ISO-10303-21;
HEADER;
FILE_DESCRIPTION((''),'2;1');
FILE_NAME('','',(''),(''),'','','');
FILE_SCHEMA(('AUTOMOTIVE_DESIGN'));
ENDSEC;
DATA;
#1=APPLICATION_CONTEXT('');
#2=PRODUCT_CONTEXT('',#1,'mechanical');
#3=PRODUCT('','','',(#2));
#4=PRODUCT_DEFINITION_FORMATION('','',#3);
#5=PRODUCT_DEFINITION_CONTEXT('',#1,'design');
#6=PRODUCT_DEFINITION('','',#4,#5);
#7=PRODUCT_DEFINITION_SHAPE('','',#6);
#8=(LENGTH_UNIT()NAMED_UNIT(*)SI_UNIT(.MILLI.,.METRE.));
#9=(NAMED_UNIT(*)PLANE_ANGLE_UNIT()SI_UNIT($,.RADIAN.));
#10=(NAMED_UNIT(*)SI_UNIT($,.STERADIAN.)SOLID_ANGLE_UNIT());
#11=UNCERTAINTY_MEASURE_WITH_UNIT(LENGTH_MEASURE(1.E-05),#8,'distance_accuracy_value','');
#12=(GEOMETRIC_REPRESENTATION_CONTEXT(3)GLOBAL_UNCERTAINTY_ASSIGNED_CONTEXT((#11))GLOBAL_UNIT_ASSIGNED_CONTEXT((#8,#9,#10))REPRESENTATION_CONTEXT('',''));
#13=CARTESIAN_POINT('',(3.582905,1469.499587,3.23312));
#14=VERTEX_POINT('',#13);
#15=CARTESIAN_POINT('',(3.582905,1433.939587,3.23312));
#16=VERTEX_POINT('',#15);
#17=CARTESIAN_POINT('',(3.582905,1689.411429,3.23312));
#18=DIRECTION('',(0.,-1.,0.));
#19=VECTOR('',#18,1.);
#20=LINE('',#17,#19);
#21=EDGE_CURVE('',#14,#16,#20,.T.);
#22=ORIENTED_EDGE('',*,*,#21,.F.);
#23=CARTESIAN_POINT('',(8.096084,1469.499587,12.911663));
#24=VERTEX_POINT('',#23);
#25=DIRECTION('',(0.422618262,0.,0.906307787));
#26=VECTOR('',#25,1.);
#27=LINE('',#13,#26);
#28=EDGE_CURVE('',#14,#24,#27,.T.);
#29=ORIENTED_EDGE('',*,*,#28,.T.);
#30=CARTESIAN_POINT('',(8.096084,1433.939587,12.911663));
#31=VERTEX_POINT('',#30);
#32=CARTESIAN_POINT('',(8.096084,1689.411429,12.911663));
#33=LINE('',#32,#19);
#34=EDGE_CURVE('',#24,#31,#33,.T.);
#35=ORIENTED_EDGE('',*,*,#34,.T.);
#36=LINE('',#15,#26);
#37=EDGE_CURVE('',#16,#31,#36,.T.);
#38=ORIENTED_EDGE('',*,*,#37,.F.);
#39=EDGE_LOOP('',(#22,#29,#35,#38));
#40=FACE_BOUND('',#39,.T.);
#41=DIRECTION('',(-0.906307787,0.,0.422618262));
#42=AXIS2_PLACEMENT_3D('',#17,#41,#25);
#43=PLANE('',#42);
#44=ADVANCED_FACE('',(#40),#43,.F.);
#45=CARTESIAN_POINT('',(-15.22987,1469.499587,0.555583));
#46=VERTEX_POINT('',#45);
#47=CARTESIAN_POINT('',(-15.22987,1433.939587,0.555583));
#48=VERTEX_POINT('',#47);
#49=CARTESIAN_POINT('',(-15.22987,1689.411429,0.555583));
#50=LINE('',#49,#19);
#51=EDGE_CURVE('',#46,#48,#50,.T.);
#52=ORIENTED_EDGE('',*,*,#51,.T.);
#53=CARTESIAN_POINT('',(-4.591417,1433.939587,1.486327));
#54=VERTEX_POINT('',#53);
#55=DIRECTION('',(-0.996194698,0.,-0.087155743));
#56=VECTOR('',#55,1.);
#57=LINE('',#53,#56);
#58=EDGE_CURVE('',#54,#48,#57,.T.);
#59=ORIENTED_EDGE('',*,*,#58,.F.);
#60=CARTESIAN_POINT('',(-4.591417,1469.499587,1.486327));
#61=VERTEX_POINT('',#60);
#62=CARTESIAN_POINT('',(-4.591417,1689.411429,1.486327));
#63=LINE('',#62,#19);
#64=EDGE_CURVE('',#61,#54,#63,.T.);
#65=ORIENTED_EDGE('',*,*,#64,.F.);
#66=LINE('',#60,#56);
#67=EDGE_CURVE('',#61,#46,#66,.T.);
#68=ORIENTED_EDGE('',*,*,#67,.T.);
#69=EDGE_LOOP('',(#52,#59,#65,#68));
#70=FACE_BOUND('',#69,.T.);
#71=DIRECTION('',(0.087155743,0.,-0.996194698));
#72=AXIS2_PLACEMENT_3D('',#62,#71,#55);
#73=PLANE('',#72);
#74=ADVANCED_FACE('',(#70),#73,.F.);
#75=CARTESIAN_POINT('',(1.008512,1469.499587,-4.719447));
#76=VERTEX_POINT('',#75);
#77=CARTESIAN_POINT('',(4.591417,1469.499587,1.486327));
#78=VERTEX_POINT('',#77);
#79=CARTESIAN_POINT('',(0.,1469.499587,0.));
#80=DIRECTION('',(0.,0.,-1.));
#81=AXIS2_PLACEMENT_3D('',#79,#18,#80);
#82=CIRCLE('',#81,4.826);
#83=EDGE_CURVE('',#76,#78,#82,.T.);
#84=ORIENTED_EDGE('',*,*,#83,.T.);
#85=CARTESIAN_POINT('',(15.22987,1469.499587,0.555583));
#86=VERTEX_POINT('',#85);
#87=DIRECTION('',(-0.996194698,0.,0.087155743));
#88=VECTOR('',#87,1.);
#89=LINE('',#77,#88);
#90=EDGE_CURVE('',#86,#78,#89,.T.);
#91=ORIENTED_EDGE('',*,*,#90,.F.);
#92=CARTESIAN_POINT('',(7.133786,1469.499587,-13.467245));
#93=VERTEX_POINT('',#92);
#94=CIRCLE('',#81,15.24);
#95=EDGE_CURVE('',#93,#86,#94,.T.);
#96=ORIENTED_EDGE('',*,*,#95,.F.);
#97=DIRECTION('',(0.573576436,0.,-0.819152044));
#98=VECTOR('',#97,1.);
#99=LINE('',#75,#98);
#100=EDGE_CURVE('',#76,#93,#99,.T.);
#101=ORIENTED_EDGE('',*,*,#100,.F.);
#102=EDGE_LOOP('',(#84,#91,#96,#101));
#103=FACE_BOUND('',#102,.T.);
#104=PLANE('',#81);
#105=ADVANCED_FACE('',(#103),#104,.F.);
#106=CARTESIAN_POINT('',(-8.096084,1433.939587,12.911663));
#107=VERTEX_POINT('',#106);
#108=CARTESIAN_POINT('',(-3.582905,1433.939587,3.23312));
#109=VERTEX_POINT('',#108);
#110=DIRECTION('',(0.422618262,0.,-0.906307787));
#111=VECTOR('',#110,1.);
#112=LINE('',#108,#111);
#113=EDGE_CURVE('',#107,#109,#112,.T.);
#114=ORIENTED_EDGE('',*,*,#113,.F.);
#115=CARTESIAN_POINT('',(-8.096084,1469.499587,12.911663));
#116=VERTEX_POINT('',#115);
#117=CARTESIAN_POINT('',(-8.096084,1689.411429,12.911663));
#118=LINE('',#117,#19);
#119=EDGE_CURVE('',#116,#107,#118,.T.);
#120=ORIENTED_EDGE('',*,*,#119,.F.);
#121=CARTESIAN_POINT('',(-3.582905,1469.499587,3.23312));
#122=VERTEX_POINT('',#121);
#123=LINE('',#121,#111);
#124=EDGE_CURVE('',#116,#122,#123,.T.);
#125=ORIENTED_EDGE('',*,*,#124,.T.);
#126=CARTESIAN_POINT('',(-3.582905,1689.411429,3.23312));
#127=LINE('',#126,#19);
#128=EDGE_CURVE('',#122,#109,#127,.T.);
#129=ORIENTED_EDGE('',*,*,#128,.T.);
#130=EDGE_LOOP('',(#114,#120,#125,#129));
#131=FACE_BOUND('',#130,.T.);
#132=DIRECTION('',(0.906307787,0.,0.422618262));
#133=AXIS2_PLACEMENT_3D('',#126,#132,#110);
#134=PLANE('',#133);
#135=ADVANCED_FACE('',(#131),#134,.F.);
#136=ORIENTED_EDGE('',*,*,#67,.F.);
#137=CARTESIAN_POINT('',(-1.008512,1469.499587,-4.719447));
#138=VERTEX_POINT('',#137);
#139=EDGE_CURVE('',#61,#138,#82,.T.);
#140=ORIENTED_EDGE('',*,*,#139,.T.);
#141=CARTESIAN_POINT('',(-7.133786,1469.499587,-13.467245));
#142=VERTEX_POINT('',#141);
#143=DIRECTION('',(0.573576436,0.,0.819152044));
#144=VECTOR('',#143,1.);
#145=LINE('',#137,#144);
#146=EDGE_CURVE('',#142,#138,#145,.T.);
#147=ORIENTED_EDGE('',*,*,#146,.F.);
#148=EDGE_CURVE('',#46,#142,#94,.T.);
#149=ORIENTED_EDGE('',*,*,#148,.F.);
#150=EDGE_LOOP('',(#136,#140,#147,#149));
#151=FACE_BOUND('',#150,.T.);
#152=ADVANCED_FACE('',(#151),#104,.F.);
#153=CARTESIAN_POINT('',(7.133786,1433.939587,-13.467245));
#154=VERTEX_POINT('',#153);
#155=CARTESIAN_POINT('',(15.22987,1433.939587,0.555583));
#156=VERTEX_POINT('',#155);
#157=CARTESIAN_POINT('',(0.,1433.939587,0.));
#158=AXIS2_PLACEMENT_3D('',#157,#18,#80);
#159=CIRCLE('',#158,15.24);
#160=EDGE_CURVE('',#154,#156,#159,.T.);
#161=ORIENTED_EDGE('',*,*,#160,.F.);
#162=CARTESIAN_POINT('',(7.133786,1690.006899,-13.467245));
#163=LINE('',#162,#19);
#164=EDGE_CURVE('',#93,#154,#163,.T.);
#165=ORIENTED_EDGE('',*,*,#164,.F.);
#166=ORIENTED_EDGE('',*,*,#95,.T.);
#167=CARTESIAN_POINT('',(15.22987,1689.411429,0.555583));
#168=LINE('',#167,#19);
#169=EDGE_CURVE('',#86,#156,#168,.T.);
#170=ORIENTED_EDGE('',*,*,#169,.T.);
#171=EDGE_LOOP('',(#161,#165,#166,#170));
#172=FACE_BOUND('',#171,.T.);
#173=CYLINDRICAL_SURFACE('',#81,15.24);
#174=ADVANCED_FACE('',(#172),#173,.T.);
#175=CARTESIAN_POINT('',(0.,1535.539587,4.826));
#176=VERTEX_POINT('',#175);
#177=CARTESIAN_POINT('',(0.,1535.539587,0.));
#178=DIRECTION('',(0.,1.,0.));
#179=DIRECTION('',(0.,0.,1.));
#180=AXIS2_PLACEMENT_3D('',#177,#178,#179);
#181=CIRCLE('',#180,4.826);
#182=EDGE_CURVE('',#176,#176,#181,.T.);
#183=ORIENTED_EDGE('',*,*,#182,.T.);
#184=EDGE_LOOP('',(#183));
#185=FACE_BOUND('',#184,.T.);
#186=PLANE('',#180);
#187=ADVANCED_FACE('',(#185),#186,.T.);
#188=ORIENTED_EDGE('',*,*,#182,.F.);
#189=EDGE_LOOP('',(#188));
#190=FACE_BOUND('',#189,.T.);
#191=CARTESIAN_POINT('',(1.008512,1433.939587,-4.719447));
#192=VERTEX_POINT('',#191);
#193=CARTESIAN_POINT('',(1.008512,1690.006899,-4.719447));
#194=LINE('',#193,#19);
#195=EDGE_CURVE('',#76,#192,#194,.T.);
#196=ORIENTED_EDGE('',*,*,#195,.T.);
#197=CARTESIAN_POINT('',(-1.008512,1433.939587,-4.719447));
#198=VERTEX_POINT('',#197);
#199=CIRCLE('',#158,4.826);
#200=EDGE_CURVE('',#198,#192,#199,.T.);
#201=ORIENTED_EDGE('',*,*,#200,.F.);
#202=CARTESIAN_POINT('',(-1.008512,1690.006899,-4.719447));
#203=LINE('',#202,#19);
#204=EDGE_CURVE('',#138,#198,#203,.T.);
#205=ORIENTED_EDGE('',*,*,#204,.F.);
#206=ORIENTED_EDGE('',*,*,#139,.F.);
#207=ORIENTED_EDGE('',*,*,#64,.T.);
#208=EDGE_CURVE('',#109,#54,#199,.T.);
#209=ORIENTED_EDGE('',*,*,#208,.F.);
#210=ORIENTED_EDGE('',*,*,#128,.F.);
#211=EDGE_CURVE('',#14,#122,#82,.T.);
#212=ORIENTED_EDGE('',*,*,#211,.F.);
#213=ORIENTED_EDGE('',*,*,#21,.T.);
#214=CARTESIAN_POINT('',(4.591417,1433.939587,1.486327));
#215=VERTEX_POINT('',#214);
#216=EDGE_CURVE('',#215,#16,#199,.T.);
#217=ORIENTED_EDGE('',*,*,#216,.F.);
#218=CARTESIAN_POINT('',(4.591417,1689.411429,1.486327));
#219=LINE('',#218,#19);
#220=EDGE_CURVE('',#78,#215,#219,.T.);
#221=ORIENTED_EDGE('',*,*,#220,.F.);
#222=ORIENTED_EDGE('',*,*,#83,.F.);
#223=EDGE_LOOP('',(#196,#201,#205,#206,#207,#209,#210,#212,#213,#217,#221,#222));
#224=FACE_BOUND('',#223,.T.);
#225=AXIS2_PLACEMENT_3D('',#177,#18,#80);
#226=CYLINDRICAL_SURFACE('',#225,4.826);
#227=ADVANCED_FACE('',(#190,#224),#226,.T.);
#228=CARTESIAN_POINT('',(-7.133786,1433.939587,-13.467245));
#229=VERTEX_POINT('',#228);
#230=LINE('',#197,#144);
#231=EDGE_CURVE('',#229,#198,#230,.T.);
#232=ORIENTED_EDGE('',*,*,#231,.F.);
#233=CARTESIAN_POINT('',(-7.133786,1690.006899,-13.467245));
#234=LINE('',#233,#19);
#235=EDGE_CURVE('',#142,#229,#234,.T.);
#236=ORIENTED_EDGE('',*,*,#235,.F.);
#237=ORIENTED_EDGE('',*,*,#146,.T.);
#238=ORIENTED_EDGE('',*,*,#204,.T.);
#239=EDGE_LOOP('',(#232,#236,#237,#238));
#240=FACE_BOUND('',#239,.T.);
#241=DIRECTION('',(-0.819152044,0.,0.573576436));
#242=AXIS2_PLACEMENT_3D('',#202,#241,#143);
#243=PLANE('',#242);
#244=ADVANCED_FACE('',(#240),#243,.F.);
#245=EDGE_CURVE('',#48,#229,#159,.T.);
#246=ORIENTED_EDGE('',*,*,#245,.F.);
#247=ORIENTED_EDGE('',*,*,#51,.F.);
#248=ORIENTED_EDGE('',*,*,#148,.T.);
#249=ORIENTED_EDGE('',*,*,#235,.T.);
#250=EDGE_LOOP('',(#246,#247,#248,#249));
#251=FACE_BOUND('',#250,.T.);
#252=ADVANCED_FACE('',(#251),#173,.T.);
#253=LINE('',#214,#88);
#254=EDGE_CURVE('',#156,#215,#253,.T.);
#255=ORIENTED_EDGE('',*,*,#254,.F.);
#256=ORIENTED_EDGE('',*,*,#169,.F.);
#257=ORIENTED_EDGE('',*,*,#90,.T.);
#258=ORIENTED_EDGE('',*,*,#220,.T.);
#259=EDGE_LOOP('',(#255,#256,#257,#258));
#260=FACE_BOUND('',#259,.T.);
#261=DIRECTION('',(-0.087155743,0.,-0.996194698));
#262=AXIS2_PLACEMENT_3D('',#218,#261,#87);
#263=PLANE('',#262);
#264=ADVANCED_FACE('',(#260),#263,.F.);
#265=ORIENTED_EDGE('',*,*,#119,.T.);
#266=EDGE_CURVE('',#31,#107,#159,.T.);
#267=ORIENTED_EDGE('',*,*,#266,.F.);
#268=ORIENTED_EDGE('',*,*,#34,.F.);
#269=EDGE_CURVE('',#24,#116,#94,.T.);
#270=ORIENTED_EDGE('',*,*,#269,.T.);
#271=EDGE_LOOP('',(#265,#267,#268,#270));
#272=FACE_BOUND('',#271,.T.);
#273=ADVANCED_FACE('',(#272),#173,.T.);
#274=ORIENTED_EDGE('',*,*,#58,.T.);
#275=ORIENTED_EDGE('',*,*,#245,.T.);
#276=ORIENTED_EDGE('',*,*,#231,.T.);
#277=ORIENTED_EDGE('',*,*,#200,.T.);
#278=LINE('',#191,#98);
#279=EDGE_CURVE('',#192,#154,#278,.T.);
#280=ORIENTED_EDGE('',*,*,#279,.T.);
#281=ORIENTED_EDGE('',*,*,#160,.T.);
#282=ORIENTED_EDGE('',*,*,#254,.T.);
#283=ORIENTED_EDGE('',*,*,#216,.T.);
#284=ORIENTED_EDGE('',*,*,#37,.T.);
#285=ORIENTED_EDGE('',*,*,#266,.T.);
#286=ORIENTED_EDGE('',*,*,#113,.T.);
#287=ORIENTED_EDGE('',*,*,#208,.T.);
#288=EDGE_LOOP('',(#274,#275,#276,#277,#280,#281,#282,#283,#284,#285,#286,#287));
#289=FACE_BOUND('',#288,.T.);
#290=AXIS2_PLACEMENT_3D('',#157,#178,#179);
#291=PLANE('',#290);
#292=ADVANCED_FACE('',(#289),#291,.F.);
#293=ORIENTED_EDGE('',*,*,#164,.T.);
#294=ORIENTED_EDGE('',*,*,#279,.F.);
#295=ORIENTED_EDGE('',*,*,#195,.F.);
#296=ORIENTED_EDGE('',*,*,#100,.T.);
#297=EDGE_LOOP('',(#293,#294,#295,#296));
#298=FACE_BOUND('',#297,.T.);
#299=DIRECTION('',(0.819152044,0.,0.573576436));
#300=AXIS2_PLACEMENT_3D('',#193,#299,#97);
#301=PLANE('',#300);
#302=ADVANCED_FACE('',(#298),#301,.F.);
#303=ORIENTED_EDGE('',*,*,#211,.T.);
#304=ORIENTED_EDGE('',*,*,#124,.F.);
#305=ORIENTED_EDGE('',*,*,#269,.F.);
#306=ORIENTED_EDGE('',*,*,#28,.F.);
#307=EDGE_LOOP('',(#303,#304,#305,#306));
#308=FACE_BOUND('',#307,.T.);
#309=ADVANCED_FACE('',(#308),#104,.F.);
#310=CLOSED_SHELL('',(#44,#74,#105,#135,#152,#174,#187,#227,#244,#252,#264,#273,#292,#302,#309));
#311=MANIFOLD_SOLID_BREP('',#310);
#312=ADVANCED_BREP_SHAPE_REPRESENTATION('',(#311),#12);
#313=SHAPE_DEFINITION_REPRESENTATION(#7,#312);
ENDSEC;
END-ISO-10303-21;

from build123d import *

# Parameters (mm, degrees)
SKETCH1_R           = 241.3
BOSS_EXTRUDE1_DEPTH = 5080
SKETCH2_R           = 762
BOSS_EXTRUDE3_DEPTH = 1778
CUT_EXTRUDE2_START  = -1778
CUT_EXTRUDE2_DEPTH  = 5252.397760119
CIRPATTERN1_COUNT   = 3
SCALE1_SCALE        = 0.02


with BuildPart() as part:
    # Sketch1 → Boss-Extrude1 (new body)
    with BuildSketch(Plane(origin=(0, 0, 0), x_dir=(1, 0, 0), z_dir=(0, 1, 0))):
        with Locations(Location((0, 0, 0), (0, 0, 90))):
            Circle(SKETCH1_R)
    extrude(amount=BOSS_EXTRUDE1_DEPTH)

    # Sketch2 → Boss-Extrude3 (add)
    with BuildSketch(Plane.XZ):
        with Locations(Location((0, 0, 0), (0, 0, 270))):
            Circle(SKETCH2_R)
    extrude(amount=-BOSS_EXTRUDE3_DEPTH)

    # Sketch4 → Cut-Extrude2 (cut)
    with BuildSketch(Plane(origin=(0, 1778, 0), x_dir=(1, 0, 0), z_dir=(0, 1, 0)).offset(CUT_EXTRUDE2_START)):
        with BuildLine():
            Line((2450.032308946, 3662.965924128), (356.689294384, 673.362270455))
            Line((356.689294384, 673.362270455), (50.425576786, 235.97235263))
            ThreePointArc((50.425576786, 235.97235263), (0, 241.3), (-50.425576786, 235.97235263))
            Line((-50.425576786, 235.97235263), (-356.689294384, 673.362270455))
            Line((-356.689294384, 673.362270455), (-2450.032308946, 3662.965924128))
            Line((-2450.032308946, 3662.965924128), (-2450.032308946, 10962.230265875))
            Line((-2450.032308946, 10962.230265875), (2450.032308946, 10962.230265875))
            Line((2450.032308946, 10962.230265875), (2450.032308946, 3662.965924128))
        make_face()
    cut_extrude2 = extrude(amount=CUT_EXTRUDE2_DEPTH, mode=Mode.SUBTRACT)

    # CirPattern1: Cut-Extrude2 ×3 about axis
    cirpattern1_axis = Axis((0, 5080, 0), (0, -1, 0))
    for i in range(1, CIRPATTERN1_COUNT):
        add(cut_extrude2.rotate(cirpattern1_axis, i * 360 / CIRPATTERN1_COUNT), mode=Mode.SUBTRACT)


with BuildPart() as part_1:
    # Scale1: scaled about (0, 1463.203660293, 0)
    add(part.part.scale(SCALE1_SCALE).moved(Location((0, 1433.939587087, 0))))


solid = part_1.part
